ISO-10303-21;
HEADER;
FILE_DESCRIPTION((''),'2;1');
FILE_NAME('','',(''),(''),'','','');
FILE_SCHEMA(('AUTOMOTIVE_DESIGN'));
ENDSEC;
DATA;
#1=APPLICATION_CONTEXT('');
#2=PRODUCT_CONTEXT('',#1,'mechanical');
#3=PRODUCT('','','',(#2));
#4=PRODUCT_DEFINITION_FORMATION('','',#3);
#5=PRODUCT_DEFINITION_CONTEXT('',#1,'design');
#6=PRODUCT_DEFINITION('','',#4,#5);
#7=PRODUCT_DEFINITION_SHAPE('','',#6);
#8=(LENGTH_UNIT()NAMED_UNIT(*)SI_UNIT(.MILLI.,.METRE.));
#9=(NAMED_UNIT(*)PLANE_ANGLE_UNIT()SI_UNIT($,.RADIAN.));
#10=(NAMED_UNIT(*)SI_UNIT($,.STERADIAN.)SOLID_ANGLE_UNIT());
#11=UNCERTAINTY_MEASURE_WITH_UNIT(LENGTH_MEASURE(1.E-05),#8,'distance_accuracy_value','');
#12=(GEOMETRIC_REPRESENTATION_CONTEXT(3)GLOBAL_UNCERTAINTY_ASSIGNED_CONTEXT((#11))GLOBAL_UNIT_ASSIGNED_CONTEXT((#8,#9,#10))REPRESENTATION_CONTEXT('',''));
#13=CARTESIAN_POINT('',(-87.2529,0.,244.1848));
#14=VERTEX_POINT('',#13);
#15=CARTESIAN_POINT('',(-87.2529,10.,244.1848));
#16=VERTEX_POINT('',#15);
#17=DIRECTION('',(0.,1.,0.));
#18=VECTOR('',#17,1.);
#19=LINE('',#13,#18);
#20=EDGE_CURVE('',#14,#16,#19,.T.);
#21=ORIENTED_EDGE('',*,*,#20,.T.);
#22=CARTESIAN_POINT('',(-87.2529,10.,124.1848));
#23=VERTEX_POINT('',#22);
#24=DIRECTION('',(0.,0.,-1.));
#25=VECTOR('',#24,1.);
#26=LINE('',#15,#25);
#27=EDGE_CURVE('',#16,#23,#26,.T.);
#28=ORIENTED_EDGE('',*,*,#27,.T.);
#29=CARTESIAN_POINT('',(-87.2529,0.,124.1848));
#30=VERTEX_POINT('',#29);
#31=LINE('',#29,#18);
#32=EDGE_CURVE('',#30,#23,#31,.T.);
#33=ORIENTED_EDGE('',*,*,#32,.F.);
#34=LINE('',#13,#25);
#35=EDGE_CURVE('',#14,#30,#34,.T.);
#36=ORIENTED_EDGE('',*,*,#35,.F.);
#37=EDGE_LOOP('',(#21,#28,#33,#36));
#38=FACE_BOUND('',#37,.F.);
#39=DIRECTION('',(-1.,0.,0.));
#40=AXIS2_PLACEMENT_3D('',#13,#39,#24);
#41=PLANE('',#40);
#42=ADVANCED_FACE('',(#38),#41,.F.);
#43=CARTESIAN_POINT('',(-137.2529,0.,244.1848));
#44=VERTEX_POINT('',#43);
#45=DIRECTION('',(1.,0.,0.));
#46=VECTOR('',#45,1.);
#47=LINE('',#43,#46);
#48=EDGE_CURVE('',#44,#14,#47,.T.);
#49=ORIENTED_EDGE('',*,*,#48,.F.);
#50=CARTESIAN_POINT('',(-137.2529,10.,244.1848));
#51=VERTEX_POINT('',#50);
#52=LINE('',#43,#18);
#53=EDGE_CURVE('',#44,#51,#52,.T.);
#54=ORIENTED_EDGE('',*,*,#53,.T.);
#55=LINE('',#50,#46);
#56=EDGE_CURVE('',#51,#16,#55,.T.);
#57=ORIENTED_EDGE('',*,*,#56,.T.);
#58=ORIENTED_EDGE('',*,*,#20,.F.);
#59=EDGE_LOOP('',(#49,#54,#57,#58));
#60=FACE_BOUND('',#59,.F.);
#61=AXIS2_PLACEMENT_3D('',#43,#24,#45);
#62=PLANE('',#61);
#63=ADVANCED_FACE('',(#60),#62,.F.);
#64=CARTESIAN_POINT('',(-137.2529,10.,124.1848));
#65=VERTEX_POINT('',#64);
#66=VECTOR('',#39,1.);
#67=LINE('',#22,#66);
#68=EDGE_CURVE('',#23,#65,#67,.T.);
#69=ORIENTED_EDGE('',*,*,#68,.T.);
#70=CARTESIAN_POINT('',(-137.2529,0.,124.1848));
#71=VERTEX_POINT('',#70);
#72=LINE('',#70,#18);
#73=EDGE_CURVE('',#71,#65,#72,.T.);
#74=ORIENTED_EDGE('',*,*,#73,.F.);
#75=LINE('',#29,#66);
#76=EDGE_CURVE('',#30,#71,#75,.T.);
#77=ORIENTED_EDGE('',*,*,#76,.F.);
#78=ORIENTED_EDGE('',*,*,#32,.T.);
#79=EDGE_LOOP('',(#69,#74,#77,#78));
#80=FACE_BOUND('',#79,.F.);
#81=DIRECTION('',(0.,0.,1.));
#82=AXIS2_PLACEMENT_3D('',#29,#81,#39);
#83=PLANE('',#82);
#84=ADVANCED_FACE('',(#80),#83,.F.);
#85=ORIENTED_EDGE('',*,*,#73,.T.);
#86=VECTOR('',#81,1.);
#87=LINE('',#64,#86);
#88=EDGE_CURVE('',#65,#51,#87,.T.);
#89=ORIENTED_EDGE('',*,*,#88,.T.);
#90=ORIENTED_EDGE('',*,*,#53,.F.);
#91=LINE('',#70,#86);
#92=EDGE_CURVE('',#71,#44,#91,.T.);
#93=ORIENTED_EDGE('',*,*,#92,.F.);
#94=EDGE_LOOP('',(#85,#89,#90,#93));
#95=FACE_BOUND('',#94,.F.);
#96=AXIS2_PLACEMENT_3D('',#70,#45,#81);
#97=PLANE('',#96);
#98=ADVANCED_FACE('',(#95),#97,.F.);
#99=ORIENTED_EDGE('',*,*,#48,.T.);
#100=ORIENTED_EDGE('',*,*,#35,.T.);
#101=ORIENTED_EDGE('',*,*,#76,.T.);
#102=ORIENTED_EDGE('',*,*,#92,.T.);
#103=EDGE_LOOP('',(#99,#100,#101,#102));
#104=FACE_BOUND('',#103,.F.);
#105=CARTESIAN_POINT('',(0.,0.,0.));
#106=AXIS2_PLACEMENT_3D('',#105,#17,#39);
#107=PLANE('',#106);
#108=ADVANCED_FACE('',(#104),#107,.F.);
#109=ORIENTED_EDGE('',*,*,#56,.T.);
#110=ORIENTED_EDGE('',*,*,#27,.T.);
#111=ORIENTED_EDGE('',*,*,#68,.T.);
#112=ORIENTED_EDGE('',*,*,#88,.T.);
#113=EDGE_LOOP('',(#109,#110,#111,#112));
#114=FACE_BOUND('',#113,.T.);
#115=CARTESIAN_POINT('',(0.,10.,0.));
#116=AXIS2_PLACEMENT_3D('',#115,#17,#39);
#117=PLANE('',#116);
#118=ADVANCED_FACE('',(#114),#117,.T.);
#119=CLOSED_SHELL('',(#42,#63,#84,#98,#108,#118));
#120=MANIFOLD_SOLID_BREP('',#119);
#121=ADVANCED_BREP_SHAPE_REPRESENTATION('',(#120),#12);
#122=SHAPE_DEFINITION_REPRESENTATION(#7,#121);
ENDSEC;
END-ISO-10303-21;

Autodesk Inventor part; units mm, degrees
ref_plane "YZ Plane" through (0, 0, 0) normal (1, 0, 0) x (0, 1, 0)
ref_plane "XZ Plane" through (0, 0, 0) normal (0, 1, 0) x (-1, 0, 0)
ref_plane "XY Plane" through (0, 0, 0) normal (0, 0, 1) x (1, 0, 0)
sketch "Sketch1" plane through (0, 0, 0) normal (0, 1, 0) x (-1, 0, 0)
  line L0 (137.2529, 244.1848) -> (87.2529, 244.1848)
  line L1 (87.2529, 244.1848) -> (87.2529, 124.1848)
  line L2 (87.2529, 124.1848) -> (137.2529, 124.1848)
  line L3 (137.2529, 124.1848) -> (137.2529, 244.1848)
  point P0 (0, 0)
  dimension "d0" = 50
  dimension "d1" = 120
extrude "Extrusion1" add sketch "Sketch1" along normal blind 10
properties part number "base"
